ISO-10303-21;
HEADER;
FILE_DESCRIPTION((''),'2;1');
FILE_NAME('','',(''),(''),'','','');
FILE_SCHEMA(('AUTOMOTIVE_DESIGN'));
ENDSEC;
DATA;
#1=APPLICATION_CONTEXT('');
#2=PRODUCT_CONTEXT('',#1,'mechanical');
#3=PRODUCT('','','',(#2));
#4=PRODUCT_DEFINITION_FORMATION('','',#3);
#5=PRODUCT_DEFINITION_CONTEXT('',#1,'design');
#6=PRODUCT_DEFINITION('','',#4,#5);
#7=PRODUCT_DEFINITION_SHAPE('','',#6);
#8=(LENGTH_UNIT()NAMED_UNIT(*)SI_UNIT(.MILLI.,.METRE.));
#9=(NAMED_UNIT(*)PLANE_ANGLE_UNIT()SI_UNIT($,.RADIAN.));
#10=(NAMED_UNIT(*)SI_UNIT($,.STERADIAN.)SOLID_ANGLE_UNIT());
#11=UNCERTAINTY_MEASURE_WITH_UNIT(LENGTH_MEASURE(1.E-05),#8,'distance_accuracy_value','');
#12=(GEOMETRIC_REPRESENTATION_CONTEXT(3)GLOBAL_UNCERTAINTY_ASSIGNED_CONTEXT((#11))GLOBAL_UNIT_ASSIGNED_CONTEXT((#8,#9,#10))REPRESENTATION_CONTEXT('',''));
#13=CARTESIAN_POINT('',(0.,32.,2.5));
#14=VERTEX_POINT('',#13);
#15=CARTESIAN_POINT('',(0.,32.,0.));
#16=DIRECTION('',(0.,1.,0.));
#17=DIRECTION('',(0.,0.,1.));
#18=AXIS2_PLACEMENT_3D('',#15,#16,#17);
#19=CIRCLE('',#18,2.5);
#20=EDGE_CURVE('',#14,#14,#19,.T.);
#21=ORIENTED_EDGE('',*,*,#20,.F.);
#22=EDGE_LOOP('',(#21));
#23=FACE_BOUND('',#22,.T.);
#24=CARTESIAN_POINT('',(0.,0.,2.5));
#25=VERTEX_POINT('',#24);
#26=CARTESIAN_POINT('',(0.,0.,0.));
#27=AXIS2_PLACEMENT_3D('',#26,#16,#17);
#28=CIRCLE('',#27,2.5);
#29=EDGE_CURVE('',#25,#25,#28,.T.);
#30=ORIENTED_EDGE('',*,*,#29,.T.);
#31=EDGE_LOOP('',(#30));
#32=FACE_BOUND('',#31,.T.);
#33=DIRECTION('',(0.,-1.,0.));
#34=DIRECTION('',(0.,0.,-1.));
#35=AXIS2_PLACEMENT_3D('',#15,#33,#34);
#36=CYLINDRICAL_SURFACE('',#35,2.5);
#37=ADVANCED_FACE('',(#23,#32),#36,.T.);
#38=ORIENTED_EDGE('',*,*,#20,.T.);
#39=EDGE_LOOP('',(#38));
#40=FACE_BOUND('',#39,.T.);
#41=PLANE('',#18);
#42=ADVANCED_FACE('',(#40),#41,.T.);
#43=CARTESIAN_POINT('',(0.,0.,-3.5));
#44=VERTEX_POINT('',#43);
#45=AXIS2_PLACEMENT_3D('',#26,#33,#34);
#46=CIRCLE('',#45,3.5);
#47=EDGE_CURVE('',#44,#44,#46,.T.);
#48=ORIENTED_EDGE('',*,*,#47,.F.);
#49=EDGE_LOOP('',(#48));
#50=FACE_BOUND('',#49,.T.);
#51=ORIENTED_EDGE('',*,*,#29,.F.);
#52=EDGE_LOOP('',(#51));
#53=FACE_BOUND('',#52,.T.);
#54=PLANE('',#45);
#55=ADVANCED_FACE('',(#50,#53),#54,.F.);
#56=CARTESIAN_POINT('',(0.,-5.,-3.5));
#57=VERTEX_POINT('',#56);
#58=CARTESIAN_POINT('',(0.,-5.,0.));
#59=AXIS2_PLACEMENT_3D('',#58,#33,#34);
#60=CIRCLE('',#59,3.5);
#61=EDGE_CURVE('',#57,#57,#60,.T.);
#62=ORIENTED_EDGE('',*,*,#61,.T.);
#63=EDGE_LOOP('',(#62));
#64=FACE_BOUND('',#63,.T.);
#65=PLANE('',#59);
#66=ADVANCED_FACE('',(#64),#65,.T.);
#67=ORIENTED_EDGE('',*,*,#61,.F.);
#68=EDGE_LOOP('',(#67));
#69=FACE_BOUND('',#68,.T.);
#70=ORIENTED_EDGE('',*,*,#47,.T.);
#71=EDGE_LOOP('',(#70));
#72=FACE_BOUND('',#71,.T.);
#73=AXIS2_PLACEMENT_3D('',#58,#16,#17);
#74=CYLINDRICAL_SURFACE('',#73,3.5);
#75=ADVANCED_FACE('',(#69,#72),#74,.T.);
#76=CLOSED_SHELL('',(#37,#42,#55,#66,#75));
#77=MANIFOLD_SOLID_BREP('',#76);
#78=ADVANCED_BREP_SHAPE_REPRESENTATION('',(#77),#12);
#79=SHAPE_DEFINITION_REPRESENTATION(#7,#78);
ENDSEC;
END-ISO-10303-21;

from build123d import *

# Parameters (mm, degrees)
SKETCH_1_R      = 2.5
EXTRUDE_1_DEPTH = 32
SKETCH_2_R      = 3.5
EXTRUDE_2_DEPTH = 5


with BuildPart() as part:
    # 草图1 → 凸台-拉伸1 (new body)
    with BuildSketch(Plane(origin=(0, 0, 0), x_dir=(1, 0, 0), z_dir=(0, 1, 0))):
        with Locations(Location((0, 0, 0), (0, 0, 270))):
            Circle(SKETCH_1_R)
    extrude(amount=EXTRUDE_1_DEPTH)

    # 草图2 → 凸台-拉伸2 (add)
    with BuildSketch(Plane.XZ):
        with Locations(Location((0, 0, 0), (0, 0, 270))):
            Circle(SKETCH_2_R)
    extrude(amount=EXTRUDE_2_DEPTH)


solid = part.part
